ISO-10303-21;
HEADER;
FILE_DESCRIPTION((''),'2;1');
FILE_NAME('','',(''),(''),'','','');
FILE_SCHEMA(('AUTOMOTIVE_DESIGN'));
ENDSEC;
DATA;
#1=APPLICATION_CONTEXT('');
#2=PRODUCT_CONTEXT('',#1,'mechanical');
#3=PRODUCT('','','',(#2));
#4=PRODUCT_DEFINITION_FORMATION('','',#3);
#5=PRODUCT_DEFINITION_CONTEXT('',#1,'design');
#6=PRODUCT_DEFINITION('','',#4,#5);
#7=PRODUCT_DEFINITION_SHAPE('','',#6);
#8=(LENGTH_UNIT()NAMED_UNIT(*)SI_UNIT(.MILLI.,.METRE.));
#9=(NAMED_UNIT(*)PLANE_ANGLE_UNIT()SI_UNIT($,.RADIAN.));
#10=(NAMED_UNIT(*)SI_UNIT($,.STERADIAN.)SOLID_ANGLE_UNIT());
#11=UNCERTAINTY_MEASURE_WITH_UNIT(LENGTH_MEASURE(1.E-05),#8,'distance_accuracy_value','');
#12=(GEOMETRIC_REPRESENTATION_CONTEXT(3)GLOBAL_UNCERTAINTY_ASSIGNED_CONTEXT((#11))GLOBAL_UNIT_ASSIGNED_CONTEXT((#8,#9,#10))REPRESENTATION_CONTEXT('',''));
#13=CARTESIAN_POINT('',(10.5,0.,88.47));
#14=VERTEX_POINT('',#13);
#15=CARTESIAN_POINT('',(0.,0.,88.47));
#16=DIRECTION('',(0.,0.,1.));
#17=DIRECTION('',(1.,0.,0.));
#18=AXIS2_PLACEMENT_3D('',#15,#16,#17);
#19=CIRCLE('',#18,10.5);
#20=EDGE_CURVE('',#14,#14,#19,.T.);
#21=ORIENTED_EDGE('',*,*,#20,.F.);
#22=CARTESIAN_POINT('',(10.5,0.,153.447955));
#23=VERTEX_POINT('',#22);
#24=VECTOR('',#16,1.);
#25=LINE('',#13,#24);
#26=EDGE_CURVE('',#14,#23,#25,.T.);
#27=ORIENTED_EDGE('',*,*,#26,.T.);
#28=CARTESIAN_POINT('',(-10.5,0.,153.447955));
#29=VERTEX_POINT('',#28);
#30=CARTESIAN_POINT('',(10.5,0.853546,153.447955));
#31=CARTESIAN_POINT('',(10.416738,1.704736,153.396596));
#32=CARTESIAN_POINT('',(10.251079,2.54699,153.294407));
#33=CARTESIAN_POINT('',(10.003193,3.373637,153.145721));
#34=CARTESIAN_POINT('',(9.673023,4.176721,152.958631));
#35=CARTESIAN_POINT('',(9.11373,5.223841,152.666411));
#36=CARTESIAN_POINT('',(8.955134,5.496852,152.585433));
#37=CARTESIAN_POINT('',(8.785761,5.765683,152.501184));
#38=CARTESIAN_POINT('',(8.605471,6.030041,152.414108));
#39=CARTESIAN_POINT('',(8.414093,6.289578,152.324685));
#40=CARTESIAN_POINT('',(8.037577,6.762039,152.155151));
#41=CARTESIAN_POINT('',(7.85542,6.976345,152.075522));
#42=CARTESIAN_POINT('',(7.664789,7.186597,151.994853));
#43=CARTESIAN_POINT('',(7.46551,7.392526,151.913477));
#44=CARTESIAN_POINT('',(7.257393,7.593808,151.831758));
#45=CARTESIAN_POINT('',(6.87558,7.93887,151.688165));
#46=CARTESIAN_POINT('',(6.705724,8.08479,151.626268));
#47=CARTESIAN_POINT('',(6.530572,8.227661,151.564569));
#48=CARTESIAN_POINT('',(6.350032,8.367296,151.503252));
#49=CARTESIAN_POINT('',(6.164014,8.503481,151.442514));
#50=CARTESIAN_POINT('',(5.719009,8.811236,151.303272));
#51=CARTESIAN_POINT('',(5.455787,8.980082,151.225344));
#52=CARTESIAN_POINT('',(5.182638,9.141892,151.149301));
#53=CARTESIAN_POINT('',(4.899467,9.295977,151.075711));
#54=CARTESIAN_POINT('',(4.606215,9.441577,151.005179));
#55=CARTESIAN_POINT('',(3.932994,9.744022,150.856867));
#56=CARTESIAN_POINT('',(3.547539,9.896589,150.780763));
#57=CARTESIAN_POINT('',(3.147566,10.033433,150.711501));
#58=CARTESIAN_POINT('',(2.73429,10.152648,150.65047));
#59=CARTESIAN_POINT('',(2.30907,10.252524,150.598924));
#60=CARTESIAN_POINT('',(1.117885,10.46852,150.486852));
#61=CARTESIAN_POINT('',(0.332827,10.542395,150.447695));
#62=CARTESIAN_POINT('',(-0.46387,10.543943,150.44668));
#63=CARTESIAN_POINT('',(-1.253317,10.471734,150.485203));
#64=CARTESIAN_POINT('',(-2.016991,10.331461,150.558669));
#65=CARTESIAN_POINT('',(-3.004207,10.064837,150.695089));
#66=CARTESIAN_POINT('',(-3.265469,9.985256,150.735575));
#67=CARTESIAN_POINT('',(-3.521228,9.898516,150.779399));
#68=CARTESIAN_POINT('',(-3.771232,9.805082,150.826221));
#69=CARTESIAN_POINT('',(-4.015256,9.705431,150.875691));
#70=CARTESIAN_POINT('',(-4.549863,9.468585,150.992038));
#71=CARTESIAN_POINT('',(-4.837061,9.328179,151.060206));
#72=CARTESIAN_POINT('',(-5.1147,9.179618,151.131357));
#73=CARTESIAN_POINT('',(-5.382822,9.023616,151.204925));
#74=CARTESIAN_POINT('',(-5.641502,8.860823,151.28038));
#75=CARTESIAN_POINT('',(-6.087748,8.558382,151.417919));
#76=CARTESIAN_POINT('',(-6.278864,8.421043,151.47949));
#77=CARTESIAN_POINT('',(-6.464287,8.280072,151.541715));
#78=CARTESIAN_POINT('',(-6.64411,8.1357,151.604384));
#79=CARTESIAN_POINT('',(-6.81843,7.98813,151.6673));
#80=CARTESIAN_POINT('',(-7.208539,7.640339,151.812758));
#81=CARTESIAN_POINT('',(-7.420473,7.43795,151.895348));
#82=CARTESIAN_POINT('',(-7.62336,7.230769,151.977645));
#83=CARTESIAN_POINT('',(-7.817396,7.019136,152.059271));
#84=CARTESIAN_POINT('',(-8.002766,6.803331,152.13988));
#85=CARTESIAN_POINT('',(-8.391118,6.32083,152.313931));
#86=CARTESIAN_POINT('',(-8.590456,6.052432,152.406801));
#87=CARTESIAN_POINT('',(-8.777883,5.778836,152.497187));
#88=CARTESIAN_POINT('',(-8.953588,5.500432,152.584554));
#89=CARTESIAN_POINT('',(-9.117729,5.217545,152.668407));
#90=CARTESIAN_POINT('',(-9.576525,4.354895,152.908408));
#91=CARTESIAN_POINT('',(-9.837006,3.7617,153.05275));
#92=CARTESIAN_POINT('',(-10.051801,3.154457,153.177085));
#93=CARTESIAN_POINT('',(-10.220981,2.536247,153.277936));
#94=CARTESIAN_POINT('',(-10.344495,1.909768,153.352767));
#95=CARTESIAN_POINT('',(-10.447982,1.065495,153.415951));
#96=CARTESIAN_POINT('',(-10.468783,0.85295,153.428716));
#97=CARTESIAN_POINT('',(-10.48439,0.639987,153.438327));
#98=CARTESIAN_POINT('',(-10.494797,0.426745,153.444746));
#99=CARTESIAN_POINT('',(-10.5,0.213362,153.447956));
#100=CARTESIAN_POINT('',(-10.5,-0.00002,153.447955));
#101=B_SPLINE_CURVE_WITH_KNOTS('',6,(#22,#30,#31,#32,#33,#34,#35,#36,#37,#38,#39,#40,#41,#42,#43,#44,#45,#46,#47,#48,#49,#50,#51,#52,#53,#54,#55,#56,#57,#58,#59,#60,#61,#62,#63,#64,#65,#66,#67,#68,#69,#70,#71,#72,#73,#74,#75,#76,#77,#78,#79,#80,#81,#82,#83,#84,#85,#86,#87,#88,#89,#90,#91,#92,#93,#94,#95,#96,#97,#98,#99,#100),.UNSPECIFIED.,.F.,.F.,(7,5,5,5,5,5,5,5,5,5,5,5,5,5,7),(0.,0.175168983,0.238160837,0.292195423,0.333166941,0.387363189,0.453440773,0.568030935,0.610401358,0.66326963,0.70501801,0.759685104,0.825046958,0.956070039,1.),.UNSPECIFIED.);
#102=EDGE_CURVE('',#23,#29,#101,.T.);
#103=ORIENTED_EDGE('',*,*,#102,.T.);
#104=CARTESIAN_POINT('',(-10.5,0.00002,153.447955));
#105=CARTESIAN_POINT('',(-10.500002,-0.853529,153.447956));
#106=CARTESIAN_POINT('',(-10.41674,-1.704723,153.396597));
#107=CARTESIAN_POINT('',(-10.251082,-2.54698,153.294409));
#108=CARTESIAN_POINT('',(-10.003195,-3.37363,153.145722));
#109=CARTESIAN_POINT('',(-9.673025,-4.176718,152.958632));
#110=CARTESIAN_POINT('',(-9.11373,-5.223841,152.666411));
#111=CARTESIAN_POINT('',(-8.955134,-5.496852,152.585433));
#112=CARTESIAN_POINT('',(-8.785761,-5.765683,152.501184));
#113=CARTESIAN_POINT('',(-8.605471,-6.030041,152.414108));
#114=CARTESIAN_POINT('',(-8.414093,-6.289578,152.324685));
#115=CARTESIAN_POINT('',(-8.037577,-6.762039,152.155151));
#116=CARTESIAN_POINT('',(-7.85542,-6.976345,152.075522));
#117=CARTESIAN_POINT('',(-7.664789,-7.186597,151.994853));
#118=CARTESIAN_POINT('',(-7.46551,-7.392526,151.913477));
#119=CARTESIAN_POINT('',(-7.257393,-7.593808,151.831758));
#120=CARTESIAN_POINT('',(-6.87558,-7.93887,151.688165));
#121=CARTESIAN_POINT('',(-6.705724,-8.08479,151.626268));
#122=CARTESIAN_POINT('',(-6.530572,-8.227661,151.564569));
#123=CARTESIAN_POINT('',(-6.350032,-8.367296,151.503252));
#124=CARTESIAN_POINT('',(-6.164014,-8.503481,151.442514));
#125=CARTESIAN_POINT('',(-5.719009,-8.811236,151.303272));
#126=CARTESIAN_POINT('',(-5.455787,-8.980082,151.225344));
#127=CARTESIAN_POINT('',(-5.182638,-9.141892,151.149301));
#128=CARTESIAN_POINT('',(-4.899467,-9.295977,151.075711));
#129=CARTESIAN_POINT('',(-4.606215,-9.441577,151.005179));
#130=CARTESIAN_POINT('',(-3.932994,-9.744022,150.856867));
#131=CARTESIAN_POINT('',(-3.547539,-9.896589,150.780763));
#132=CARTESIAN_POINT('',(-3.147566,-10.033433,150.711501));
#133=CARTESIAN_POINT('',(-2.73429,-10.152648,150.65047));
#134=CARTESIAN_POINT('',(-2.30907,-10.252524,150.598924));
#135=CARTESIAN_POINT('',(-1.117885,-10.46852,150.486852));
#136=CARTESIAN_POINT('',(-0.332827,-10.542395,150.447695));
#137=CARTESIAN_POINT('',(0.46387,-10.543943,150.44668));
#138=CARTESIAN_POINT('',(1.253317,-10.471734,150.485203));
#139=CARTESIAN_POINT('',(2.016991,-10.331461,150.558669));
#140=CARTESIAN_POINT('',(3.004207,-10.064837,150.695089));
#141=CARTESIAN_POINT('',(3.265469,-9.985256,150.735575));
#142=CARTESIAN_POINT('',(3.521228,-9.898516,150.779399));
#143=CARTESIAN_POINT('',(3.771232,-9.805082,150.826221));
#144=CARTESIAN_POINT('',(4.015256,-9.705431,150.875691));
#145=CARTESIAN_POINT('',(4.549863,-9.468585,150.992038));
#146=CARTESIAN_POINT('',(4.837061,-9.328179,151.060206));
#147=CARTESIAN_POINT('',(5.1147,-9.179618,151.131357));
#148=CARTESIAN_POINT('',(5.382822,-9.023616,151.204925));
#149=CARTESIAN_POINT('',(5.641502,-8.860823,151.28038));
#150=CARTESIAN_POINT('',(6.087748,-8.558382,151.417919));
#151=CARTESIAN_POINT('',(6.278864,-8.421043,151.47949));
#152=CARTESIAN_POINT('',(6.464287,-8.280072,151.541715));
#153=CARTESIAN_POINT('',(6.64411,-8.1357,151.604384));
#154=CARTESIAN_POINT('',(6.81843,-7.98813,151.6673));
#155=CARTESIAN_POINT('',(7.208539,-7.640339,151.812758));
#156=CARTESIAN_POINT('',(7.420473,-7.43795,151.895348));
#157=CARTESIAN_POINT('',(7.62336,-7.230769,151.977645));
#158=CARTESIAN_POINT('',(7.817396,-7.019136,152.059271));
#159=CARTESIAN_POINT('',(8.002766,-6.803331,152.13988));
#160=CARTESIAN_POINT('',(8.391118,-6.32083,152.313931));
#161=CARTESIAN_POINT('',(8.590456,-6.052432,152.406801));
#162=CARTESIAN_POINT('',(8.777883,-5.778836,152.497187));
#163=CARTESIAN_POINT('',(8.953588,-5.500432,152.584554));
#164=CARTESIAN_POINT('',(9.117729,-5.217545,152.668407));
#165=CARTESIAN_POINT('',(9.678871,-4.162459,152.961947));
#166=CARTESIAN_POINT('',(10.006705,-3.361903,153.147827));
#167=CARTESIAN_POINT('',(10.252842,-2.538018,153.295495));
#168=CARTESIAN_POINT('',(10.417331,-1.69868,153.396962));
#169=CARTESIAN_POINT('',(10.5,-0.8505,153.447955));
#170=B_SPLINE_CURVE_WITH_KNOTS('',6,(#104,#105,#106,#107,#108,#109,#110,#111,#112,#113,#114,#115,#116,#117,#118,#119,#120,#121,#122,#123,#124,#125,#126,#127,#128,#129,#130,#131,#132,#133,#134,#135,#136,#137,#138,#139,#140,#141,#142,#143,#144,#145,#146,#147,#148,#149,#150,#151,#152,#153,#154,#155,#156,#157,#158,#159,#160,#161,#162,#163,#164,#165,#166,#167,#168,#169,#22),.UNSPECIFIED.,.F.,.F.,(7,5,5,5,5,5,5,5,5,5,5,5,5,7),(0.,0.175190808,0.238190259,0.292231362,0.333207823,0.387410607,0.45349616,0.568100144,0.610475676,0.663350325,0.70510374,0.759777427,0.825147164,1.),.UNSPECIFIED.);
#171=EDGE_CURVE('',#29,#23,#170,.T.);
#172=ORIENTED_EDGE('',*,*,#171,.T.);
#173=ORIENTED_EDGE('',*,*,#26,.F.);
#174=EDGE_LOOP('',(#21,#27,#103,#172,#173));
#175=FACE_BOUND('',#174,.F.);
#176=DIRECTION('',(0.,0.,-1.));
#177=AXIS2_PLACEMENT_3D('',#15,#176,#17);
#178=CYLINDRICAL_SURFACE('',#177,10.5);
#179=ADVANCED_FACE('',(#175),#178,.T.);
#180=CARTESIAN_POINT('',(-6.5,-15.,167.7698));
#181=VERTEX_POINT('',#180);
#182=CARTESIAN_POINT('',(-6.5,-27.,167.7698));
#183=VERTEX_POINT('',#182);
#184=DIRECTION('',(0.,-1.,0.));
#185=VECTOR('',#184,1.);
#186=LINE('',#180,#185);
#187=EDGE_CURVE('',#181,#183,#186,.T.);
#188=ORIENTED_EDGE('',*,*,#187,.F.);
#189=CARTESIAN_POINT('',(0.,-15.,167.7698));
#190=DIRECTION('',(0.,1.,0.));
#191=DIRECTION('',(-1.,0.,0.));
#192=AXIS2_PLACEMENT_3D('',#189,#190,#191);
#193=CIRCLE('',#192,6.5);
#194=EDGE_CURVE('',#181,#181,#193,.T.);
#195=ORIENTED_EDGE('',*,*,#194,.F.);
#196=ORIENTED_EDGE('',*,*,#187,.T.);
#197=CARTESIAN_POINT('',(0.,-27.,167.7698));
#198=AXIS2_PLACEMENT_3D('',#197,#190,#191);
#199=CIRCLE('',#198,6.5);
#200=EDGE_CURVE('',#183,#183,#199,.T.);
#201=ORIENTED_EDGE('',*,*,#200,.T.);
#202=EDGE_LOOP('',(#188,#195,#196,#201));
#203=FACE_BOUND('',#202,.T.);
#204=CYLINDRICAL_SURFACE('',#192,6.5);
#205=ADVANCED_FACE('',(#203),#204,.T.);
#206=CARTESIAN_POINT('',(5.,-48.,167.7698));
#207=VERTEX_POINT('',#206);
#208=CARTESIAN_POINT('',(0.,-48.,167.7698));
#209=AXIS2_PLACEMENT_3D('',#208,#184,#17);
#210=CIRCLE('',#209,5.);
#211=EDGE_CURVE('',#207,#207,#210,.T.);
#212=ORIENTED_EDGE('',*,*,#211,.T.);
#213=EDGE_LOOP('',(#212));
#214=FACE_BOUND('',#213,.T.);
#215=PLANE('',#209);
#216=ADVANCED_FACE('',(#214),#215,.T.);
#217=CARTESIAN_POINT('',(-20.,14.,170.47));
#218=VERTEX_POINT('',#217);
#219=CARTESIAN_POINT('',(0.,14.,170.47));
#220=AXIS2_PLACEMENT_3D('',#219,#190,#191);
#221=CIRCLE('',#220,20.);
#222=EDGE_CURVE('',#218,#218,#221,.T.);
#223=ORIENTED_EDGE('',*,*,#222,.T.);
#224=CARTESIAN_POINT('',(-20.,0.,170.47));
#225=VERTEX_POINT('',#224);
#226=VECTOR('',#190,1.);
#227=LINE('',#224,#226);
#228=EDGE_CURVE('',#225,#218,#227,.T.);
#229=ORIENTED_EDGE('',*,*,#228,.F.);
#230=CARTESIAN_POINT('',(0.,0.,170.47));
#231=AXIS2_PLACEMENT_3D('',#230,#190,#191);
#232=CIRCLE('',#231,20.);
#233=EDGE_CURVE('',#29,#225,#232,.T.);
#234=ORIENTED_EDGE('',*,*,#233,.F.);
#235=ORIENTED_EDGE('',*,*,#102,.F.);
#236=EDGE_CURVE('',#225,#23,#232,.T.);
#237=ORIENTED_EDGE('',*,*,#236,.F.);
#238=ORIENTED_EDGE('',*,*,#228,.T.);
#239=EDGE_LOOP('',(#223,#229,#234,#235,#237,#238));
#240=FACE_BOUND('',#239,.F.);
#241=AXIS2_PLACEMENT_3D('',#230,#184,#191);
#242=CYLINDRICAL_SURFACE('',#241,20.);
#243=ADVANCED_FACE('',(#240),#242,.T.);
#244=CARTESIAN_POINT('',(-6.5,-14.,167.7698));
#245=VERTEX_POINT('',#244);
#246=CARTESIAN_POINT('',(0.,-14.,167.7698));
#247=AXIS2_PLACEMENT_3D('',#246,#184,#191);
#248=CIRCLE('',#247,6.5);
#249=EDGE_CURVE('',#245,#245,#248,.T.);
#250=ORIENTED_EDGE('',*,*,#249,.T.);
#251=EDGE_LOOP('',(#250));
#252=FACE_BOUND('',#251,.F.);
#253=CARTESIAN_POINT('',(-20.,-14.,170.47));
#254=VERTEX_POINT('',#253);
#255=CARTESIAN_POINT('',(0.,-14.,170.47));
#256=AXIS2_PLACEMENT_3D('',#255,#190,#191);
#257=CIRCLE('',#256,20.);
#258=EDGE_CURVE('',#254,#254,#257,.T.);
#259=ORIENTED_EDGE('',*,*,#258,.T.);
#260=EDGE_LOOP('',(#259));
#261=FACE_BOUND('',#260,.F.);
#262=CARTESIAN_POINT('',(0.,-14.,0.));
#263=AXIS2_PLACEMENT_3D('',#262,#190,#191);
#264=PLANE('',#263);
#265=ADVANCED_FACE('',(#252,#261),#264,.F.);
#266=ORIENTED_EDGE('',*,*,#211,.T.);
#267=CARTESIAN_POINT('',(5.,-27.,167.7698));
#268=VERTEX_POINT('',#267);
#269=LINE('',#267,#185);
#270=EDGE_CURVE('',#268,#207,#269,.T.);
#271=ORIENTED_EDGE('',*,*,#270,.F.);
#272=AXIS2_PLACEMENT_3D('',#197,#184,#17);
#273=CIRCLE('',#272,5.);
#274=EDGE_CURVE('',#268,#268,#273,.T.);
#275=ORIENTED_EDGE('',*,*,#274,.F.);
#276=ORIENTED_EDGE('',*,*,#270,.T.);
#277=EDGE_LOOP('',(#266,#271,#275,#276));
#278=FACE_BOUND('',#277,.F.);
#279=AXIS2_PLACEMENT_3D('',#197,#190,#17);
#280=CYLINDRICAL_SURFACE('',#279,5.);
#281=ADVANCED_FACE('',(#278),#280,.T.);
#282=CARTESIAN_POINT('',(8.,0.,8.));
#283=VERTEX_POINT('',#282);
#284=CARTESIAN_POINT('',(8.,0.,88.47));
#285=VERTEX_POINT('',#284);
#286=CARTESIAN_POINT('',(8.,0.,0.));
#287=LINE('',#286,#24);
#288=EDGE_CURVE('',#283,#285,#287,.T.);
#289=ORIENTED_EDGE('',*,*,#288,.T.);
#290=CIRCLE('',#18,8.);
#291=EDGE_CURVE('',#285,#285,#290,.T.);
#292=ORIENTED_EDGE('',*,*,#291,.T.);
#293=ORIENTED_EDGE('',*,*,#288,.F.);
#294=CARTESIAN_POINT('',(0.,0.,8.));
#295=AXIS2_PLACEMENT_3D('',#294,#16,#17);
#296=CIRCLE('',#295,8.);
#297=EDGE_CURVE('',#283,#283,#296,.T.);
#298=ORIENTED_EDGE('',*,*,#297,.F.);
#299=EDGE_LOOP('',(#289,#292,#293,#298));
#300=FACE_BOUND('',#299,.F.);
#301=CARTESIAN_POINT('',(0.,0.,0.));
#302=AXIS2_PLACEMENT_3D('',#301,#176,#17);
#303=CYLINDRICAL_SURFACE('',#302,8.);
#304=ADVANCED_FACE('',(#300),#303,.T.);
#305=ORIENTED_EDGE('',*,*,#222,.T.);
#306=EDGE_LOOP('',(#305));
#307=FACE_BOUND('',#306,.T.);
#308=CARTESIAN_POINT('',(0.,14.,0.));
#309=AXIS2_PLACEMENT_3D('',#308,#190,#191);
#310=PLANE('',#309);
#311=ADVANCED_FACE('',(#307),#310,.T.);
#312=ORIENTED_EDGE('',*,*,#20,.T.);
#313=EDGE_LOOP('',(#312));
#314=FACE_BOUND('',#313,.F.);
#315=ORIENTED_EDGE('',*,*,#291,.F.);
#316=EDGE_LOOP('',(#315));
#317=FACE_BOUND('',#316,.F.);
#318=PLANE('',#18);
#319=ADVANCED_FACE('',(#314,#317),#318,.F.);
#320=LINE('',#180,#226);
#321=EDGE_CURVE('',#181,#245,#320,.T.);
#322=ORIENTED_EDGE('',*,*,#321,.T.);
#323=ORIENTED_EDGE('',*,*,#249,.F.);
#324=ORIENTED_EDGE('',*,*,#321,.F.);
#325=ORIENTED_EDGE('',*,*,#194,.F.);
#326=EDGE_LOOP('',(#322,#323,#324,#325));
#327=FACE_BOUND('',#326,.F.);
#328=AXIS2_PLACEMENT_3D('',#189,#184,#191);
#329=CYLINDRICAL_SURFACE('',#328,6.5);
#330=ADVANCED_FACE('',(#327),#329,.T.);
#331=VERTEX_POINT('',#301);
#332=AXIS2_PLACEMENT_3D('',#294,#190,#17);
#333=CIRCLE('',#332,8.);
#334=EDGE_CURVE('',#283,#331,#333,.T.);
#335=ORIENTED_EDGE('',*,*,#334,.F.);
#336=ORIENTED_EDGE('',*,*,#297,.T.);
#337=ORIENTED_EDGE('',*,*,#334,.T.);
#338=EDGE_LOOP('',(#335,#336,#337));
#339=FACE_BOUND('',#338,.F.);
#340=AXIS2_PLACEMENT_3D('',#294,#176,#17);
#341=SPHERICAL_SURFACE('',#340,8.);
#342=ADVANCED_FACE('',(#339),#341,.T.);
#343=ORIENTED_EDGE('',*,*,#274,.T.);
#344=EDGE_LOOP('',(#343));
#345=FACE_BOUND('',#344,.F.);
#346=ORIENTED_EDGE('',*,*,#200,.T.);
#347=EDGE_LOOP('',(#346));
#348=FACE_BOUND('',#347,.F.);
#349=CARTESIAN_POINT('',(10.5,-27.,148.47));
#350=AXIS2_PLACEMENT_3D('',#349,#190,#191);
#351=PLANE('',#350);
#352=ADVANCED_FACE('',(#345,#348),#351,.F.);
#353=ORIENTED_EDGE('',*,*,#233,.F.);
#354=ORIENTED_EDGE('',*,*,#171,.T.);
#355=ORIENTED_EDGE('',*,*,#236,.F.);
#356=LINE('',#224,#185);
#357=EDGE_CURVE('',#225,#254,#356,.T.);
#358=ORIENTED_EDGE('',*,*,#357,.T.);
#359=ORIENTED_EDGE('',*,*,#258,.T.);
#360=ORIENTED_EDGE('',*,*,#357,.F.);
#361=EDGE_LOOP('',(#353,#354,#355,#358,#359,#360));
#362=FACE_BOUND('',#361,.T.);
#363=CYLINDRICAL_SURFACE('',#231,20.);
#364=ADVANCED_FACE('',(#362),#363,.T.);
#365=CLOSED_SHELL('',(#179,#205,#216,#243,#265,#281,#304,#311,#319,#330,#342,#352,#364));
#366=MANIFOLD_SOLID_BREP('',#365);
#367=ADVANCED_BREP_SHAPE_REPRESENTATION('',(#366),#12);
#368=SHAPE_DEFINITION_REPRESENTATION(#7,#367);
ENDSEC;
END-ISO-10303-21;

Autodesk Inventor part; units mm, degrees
ref_plane "YZ Plane" through (0, 0, 0) normal (1, 0, 0) x (0, 1, 0)
sketch "スケッチ1" plane through (0, 0, 0) normal (0, 0, 1) x (1, 0, 0)
  circle A0 centre (0, 0) radius 8
  dimension "d0" = 16
extrude "押し出し1" add sketch "スケッチ1" along normal blind 88.47
sketch "スケッチ2" plane through (0, 0, 0) normal (0, 0, -1) x (-1, 0, 0)
  point P0 (0, 0)
  point P1 (0, 0)
sketch "スケッチ3" plane through (0, 0, 88.47) normal (0, 0, 1) x (1, 0, 0)
  circle A0 centre (0, 0) radius 10.5
  dimension "d4" = 21
extrude "押し出し2" add sketch "スケッチ3" along normal blind 82
fillet "フィレット1" radius 8 1 edges at (-8, 0, 0)
sketch "スケッチ4" plane through (0, 0, 0) normal (0, 1, 0) x (-1, 0, 0)
  circle A0 centre (0, 170.47) radius 20
  line L0 (10.5, 170.47) -> (-10.5, 170.47) projected
  point P0 (0, 0)
  dimension "d7" = 40
  dimension "d25" = 0
extrude "押し出し3" add sketch "スケッチ4" along normal mid plane 28
ref_plane "作業平面1" through (0, 0, 148.47) normal (0, 0, -1) x (-1, 0, 0)
sketch "スケッチ5" plane through (0, 0, 148.47) normal (0, 0, -1) x (-1, 0, 0)
  line L0 (10.5, 15) -> (-10.5, 15)
  line L1 (-10.5, 15) -> (-10.5, -15)
  line L2 (-10.5, -15) -> (10.5, -15)
  line L3 (10.5, -15) -> (10.5, 15)
  line L4 (10.5, 15) -> (-10.5, -15) construction
  line L5 (-10.5, 15) -> (10.5, -15) construction
  point P0 (0, 0)
  dimension "d11" = 21
  dimension "d12" = 30
ref_plane "作業平面2" through (10.5, -15, 148.47) normal (0, 1, 0) x (-1, 0, 0)
sketch "スケッチ8" plane through (10.5, -15, 148.47) normal (0, 1, 0) x (-1, 0, 0)
  circle A0 centre (10.5, 19.2998) radius 6.5
  point P0 (10.5, -148.47)
  dimension "d14" = 13
extrude "押し出し4" add sketch "スケッチ8" along normal mid plane 24
sketch "スケッチ9" plane through (0, -27, 167.7698) normal (0, -1, 0) x (1, 0, 0)
  circle A0 centre (0, 0) radius 5
  point P0 (0, -167.7698)
  dimension "d17" = 10
extrude "押し出し5" add sketch "スケッチ9" along normal blind 21
sketch "スケッチ11" plane through (0, 0, 0) normal (0, 0, 1) x (1, 0, 0)
  line L0 (-25, -25) -> (25, -25)
  line L1 (25, -25) -> (25, 25)
  line L2 (25, 25) -> (-25, 25)
  line L3 (-25, 25) -> (-25, -25)
  line L4 (-25, -25) -> (25, 25) construction
  line L5 (25, -25) -> (-25, 25) construction
  point P0 (0, 0)
  dimension "d23" = 50
  dimension "d24" = 50
properties part number "ラックアンドピニオンの左右の棒"
